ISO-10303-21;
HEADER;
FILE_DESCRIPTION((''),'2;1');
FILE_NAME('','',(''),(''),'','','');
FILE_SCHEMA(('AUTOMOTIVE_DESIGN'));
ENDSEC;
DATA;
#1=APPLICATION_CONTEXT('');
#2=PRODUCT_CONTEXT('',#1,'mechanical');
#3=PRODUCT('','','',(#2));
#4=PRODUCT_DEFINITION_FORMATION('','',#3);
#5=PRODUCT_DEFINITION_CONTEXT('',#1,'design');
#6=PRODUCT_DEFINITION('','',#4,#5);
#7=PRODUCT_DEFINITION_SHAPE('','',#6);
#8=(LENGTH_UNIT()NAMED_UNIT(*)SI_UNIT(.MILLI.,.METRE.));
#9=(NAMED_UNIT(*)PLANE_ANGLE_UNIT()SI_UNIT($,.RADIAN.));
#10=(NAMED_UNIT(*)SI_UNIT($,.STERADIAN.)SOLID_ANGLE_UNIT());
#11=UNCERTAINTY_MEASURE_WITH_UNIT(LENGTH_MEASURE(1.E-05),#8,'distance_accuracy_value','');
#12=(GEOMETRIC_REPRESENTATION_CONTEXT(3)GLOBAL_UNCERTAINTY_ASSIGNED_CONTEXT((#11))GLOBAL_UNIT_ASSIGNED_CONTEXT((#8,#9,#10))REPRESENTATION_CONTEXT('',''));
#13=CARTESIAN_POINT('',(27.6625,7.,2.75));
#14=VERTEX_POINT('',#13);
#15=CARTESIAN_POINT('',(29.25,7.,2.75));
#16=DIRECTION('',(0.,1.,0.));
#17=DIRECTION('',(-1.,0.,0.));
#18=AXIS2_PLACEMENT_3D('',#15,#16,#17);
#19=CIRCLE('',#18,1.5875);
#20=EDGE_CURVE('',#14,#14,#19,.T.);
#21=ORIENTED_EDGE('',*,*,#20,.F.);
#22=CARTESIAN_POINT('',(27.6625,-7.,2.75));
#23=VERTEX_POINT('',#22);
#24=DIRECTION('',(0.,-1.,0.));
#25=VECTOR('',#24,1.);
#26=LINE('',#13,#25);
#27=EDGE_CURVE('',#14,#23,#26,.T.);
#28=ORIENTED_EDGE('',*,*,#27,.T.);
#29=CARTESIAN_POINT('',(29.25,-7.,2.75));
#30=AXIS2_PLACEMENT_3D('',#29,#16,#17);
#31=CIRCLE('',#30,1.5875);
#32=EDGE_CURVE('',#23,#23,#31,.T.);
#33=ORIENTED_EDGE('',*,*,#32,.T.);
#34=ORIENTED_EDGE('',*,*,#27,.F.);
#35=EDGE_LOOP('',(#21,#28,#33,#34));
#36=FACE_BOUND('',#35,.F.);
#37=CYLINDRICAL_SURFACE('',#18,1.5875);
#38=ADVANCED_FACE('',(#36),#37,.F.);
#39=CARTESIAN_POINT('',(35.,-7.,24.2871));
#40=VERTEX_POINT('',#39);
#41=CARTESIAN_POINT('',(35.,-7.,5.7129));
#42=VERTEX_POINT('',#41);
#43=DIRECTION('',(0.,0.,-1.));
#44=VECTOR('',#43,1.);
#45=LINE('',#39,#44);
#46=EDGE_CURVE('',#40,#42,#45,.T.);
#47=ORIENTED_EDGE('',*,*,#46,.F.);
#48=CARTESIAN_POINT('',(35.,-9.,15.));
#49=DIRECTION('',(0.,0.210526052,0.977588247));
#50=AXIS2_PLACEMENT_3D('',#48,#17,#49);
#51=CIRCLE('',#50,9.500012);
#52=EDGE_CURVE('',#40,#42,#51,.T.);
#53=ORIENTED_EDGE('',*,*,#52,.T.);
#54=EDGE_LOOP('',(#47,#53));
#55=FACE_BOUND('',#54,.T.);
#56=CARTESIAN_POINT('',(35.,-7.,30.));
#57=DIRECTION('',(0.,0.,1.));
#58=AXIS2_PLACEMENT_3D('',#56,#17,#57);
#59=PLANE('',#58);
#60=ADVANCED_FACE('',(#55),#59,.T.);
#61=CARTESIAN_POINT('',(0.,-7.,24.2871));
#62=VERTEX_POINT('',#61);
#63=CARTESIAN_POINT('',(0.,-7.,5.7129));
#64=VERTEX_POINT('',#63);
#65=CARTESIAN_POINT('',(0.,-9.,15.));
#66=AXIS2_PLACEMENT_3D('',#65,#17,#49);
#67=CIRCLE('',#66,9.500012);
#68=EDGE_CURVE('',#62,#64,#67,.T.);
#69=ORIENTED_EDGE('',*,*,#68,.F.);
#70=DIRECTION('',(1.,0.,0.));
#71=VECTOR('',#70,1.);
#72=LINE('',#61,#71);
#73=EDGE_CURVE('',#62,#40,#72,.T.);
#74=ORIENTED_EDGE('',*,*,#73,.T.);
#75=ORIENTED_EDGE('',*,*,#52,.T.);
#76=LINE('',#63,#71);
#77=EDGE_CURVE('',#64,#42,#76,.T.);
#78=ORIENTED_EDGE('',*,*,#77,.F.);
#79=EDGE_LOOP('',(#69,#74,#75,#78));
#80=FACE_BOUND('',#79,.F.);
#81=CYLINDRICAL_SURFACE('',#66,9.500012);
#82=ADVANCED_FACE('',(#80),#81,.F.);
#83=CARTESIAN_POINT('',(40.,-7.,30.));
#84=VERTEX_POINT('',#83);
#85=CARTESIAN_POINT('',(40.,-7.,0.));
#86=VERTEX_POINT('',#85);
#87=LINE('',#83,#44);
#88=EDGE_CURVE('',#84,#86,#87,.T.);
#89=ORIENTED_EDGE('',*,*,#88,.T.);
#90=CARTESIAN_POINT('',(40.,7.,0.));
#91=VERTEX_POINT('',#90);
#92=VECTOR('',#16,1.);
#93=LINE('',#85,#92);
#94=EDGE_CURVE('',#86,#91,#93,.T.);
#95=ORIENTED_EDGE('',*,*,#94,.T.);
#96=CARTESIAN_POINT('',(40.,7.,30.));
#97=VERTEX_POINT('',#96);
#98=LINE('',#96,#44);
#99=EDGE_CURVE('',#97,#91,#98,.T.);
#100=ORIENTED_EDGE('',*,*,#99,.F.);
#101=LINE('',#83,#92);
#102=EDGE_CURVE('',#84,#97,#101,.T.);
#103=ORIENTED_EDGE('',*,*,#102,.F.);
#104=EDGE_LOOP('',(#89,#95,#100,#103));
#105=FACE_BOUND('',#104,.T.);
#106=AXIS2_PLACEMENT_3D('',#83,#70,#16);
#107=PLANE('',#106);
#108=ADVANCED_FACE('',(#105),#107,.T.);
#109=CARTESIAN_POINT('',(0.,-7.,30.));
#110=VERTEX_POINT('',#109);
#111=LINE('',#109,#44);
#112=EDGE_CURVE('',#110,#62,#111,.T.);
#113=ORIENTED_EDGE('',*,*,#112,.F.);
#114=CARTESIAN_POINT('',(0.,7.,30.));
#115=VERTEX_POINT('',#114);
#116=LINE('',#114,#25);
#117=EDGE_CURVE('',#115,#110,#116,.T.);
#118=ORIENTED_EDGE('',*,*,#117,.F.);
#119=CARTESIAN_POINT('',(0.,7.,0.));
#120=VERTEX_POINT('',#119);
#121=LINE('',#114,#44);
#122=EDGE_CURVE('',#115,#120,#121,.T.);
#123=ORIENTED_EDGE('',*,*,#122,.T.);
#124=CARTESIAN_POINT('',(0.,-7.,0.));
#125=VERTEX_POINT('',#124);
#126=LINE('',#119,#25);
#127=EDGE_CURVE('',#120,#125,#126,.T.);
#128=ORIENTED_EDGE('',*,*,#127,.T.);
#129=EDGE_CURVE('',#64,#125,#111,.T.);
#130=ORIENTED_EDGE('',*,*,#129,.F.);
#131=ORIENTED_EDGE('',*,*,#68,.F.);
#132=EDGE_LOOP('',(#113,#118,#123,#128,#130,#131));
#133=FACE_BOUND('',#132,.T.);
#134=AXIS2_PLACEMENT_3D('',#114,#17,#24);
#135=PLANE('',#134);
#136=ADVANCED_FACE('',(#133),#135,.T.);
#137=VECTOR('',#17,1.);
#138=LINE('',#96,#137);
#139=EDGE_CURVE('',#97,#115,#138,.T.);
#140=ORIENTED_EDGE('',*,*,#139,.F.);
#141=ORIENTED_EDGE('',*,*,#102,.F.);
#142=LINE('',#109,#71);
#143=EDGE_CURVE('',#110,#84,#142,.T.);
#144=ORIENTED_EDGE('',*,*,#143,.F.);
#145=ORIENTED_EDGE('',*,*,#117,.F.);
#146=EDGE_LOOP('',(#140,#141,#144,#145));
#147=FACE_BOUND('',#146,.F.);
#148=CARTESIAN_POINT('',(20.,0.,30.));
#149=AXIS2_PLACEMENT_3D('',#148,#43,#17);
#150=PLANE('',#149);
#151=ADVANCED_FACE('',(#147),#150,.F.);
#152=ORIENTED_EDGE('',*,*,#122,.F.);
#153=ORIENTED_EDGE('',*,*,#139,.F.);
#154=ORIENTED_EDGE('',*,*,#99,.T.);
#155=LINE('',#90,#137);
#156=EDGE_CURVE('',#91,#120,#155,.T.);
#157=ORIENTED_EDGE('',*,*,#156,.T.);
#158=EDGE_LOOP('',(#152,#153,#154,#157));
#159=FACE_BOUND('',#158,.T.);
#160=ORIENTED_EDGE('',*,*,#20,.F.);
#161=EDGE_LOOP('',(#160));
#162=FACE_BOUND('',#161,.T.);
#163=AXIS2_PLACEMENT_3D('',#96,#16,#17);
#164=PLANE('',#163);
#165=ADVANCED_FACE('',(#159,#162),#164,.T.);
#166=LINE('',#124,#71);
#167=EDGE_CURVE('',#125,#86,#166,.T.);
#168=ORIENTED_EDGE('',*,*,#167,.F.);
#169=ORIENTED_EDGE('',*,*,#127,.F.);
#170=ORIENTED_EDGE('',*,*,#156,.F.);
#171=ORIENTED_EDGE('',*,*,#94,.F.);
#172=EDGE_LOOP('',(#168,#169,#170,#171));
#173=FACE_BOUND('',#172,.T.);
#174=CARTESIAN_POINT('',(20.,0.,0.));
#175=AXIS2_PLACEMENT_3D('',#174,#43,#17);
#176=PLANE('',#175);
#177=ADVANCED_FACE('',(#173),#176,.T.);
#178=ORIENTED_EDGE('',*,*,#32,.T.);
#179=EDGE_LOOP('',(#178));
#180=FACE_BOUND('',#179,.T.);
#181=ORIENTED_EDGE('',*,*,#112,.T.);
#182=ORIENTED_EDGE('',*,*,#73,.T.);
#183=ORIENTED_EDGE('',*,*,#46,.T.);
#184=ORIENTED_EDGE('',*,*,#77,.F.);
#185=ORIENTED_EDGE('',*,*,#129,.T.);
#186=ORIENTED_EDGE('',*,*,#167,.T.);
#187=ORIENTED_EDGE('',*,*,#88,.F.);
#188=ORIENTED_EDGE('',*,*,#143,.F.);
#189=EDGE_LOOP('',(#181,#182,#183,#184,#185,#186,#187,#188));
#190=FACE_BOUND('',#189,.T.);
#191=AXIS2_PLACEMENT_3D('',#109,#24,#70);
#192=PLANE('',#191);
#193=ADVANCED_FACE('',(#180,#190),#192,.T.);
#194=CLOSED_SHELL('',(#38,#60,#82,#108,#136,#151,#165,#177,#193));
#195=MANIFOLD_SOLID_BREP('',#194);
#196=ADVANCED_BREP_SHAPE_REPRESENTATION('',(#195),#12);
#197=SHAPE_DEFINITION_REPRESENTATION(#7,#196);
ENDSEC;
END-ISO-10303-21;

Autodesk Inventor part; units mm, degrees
ref_plane "YZ Plane" through (0, 0, 0) normal (1, 0, 0) x (0, 1, 0)
ref_plane "XZ Plane" through (0, 0, 0) normal (0, 1, 0) x (-1, 0, 0)
ref_plane "XY Plane" through (0, 0, 0) normal (0, 0, 1) x (1, 0, 0)
sketch "Sketch1" plane through (0, 0, 0) normal (0, 0, 1) x (1, 0, 0)
  line L0 (20, -7) -> (-20, -7)
  line L1 (-20, -7) -> (-20, 7)
  line L2 (-20, 7) -> (20, 7)
  line L3 (20, 7) -> (20, -7)
  line L4 (20, -7) -> (-20, 7) construction
  line L5 (-20, -7) -> (20, 7) construction
  point P0 (0, 0)
  dimension "d0" = 40
  dimension "d1" = 14
extrude "Extrusion1" add sketch "Sketch1" along normal blind 30
sketch "Sketch2" plane through (20, -7, 0) normal (1, 0, 0) x (0, 0, -1)
  point P0 (0, 7)
sketch "Sketch3" plane through (20, -7, 0) normal (1, 0, 0) x (0, 0, -1)
  line L0 (0, 0) -> (-30, 0) projected
  line L1 (-15, 0) -> (-15, -2)
  arc A0 (-5.7129, 0) -> (-24.2871, 0) centre (-15, -2) ccw
  point P0 (0, 7)
  dimension "d4" = 2
  dimension "d5" = 19
extrude "Extrusion2" cut sketch "Sketch3" against normal blind 35
sketch "Sketch4" plane through (-20, 7, 0) normal (0, 1, 0) x (1, 0, 0)
  point P0 (20, 0)
sketch "Sketch5" plane through (-20, 7, 0) normal (0, 1, 0) x (1, 0, 0)
  line L0 (40, 0) -> (0, 0) projected
  line L1 (40, -30) -> (0, -30) projected
  line L2 (0, -30) -> (0, -27.25)
  line L3 (0, 0) -> (0, -30) projected
  line L4 (0, -27.25) -> (2.75, -27.25)
  circle A0 centre (2.75, -27.25) radius 2
  line L5 (0, 0) -> (0, -2.75)
  line L6 (0, -2.75) -> (2.75, -2.75)
  circle A1 centre (2.75, -2.75) radius 2
  line L7 (2.75, -27.25) -> (10.75, -27.25)
  circle A2 centre (10.75, -27.25) radius 1.5875
  point P0 (20, 0)
  dimension "d11" = 2.75
  dimension "d12" = 2.75
  dimension "d13" = 4
  dimension "d14" = 2.75
  dimension "d15" = 2.75
  dimension "d16" = 4
  dimension "d17" = 8
  dimension "d18" = 3.175
extrude "Extrusion3" cut sketch "Sketch5" against normal blind 100 contours A2
sketch "Sketch6" plane through (-20, 7, 0) normal (0, 1, 0) x (1, 0, 0)
  point P0 (20, 0)
move or copy body "Move Body1" bodies to move or copy 1 copy no translate (-20, 0, 0)
move or copy body "Move Body2" bodies to move or copy 1 copy no translate (-5, 0, 0)
sketch "Sketch8" plane through (0, 0, 0) normal (1, 0, 0) x (0, 1, 0)
  point P0 (0, 0)
move or copy body "Move Body3" bodies to move or copy 1 copy no rotation origin (0, 0, 0) rotation axis (0, 1, 0) rotation angle 180 translate (-10, 0, 0)
move or copy body "Move Body4" bodies to move or copy 1 copy no translate (5, 0, 0)
move or copy body "Move Body5" bodies to move or copy 1 copy no translate (0, 0, 30)
properties part number "Rb oven housing top"
